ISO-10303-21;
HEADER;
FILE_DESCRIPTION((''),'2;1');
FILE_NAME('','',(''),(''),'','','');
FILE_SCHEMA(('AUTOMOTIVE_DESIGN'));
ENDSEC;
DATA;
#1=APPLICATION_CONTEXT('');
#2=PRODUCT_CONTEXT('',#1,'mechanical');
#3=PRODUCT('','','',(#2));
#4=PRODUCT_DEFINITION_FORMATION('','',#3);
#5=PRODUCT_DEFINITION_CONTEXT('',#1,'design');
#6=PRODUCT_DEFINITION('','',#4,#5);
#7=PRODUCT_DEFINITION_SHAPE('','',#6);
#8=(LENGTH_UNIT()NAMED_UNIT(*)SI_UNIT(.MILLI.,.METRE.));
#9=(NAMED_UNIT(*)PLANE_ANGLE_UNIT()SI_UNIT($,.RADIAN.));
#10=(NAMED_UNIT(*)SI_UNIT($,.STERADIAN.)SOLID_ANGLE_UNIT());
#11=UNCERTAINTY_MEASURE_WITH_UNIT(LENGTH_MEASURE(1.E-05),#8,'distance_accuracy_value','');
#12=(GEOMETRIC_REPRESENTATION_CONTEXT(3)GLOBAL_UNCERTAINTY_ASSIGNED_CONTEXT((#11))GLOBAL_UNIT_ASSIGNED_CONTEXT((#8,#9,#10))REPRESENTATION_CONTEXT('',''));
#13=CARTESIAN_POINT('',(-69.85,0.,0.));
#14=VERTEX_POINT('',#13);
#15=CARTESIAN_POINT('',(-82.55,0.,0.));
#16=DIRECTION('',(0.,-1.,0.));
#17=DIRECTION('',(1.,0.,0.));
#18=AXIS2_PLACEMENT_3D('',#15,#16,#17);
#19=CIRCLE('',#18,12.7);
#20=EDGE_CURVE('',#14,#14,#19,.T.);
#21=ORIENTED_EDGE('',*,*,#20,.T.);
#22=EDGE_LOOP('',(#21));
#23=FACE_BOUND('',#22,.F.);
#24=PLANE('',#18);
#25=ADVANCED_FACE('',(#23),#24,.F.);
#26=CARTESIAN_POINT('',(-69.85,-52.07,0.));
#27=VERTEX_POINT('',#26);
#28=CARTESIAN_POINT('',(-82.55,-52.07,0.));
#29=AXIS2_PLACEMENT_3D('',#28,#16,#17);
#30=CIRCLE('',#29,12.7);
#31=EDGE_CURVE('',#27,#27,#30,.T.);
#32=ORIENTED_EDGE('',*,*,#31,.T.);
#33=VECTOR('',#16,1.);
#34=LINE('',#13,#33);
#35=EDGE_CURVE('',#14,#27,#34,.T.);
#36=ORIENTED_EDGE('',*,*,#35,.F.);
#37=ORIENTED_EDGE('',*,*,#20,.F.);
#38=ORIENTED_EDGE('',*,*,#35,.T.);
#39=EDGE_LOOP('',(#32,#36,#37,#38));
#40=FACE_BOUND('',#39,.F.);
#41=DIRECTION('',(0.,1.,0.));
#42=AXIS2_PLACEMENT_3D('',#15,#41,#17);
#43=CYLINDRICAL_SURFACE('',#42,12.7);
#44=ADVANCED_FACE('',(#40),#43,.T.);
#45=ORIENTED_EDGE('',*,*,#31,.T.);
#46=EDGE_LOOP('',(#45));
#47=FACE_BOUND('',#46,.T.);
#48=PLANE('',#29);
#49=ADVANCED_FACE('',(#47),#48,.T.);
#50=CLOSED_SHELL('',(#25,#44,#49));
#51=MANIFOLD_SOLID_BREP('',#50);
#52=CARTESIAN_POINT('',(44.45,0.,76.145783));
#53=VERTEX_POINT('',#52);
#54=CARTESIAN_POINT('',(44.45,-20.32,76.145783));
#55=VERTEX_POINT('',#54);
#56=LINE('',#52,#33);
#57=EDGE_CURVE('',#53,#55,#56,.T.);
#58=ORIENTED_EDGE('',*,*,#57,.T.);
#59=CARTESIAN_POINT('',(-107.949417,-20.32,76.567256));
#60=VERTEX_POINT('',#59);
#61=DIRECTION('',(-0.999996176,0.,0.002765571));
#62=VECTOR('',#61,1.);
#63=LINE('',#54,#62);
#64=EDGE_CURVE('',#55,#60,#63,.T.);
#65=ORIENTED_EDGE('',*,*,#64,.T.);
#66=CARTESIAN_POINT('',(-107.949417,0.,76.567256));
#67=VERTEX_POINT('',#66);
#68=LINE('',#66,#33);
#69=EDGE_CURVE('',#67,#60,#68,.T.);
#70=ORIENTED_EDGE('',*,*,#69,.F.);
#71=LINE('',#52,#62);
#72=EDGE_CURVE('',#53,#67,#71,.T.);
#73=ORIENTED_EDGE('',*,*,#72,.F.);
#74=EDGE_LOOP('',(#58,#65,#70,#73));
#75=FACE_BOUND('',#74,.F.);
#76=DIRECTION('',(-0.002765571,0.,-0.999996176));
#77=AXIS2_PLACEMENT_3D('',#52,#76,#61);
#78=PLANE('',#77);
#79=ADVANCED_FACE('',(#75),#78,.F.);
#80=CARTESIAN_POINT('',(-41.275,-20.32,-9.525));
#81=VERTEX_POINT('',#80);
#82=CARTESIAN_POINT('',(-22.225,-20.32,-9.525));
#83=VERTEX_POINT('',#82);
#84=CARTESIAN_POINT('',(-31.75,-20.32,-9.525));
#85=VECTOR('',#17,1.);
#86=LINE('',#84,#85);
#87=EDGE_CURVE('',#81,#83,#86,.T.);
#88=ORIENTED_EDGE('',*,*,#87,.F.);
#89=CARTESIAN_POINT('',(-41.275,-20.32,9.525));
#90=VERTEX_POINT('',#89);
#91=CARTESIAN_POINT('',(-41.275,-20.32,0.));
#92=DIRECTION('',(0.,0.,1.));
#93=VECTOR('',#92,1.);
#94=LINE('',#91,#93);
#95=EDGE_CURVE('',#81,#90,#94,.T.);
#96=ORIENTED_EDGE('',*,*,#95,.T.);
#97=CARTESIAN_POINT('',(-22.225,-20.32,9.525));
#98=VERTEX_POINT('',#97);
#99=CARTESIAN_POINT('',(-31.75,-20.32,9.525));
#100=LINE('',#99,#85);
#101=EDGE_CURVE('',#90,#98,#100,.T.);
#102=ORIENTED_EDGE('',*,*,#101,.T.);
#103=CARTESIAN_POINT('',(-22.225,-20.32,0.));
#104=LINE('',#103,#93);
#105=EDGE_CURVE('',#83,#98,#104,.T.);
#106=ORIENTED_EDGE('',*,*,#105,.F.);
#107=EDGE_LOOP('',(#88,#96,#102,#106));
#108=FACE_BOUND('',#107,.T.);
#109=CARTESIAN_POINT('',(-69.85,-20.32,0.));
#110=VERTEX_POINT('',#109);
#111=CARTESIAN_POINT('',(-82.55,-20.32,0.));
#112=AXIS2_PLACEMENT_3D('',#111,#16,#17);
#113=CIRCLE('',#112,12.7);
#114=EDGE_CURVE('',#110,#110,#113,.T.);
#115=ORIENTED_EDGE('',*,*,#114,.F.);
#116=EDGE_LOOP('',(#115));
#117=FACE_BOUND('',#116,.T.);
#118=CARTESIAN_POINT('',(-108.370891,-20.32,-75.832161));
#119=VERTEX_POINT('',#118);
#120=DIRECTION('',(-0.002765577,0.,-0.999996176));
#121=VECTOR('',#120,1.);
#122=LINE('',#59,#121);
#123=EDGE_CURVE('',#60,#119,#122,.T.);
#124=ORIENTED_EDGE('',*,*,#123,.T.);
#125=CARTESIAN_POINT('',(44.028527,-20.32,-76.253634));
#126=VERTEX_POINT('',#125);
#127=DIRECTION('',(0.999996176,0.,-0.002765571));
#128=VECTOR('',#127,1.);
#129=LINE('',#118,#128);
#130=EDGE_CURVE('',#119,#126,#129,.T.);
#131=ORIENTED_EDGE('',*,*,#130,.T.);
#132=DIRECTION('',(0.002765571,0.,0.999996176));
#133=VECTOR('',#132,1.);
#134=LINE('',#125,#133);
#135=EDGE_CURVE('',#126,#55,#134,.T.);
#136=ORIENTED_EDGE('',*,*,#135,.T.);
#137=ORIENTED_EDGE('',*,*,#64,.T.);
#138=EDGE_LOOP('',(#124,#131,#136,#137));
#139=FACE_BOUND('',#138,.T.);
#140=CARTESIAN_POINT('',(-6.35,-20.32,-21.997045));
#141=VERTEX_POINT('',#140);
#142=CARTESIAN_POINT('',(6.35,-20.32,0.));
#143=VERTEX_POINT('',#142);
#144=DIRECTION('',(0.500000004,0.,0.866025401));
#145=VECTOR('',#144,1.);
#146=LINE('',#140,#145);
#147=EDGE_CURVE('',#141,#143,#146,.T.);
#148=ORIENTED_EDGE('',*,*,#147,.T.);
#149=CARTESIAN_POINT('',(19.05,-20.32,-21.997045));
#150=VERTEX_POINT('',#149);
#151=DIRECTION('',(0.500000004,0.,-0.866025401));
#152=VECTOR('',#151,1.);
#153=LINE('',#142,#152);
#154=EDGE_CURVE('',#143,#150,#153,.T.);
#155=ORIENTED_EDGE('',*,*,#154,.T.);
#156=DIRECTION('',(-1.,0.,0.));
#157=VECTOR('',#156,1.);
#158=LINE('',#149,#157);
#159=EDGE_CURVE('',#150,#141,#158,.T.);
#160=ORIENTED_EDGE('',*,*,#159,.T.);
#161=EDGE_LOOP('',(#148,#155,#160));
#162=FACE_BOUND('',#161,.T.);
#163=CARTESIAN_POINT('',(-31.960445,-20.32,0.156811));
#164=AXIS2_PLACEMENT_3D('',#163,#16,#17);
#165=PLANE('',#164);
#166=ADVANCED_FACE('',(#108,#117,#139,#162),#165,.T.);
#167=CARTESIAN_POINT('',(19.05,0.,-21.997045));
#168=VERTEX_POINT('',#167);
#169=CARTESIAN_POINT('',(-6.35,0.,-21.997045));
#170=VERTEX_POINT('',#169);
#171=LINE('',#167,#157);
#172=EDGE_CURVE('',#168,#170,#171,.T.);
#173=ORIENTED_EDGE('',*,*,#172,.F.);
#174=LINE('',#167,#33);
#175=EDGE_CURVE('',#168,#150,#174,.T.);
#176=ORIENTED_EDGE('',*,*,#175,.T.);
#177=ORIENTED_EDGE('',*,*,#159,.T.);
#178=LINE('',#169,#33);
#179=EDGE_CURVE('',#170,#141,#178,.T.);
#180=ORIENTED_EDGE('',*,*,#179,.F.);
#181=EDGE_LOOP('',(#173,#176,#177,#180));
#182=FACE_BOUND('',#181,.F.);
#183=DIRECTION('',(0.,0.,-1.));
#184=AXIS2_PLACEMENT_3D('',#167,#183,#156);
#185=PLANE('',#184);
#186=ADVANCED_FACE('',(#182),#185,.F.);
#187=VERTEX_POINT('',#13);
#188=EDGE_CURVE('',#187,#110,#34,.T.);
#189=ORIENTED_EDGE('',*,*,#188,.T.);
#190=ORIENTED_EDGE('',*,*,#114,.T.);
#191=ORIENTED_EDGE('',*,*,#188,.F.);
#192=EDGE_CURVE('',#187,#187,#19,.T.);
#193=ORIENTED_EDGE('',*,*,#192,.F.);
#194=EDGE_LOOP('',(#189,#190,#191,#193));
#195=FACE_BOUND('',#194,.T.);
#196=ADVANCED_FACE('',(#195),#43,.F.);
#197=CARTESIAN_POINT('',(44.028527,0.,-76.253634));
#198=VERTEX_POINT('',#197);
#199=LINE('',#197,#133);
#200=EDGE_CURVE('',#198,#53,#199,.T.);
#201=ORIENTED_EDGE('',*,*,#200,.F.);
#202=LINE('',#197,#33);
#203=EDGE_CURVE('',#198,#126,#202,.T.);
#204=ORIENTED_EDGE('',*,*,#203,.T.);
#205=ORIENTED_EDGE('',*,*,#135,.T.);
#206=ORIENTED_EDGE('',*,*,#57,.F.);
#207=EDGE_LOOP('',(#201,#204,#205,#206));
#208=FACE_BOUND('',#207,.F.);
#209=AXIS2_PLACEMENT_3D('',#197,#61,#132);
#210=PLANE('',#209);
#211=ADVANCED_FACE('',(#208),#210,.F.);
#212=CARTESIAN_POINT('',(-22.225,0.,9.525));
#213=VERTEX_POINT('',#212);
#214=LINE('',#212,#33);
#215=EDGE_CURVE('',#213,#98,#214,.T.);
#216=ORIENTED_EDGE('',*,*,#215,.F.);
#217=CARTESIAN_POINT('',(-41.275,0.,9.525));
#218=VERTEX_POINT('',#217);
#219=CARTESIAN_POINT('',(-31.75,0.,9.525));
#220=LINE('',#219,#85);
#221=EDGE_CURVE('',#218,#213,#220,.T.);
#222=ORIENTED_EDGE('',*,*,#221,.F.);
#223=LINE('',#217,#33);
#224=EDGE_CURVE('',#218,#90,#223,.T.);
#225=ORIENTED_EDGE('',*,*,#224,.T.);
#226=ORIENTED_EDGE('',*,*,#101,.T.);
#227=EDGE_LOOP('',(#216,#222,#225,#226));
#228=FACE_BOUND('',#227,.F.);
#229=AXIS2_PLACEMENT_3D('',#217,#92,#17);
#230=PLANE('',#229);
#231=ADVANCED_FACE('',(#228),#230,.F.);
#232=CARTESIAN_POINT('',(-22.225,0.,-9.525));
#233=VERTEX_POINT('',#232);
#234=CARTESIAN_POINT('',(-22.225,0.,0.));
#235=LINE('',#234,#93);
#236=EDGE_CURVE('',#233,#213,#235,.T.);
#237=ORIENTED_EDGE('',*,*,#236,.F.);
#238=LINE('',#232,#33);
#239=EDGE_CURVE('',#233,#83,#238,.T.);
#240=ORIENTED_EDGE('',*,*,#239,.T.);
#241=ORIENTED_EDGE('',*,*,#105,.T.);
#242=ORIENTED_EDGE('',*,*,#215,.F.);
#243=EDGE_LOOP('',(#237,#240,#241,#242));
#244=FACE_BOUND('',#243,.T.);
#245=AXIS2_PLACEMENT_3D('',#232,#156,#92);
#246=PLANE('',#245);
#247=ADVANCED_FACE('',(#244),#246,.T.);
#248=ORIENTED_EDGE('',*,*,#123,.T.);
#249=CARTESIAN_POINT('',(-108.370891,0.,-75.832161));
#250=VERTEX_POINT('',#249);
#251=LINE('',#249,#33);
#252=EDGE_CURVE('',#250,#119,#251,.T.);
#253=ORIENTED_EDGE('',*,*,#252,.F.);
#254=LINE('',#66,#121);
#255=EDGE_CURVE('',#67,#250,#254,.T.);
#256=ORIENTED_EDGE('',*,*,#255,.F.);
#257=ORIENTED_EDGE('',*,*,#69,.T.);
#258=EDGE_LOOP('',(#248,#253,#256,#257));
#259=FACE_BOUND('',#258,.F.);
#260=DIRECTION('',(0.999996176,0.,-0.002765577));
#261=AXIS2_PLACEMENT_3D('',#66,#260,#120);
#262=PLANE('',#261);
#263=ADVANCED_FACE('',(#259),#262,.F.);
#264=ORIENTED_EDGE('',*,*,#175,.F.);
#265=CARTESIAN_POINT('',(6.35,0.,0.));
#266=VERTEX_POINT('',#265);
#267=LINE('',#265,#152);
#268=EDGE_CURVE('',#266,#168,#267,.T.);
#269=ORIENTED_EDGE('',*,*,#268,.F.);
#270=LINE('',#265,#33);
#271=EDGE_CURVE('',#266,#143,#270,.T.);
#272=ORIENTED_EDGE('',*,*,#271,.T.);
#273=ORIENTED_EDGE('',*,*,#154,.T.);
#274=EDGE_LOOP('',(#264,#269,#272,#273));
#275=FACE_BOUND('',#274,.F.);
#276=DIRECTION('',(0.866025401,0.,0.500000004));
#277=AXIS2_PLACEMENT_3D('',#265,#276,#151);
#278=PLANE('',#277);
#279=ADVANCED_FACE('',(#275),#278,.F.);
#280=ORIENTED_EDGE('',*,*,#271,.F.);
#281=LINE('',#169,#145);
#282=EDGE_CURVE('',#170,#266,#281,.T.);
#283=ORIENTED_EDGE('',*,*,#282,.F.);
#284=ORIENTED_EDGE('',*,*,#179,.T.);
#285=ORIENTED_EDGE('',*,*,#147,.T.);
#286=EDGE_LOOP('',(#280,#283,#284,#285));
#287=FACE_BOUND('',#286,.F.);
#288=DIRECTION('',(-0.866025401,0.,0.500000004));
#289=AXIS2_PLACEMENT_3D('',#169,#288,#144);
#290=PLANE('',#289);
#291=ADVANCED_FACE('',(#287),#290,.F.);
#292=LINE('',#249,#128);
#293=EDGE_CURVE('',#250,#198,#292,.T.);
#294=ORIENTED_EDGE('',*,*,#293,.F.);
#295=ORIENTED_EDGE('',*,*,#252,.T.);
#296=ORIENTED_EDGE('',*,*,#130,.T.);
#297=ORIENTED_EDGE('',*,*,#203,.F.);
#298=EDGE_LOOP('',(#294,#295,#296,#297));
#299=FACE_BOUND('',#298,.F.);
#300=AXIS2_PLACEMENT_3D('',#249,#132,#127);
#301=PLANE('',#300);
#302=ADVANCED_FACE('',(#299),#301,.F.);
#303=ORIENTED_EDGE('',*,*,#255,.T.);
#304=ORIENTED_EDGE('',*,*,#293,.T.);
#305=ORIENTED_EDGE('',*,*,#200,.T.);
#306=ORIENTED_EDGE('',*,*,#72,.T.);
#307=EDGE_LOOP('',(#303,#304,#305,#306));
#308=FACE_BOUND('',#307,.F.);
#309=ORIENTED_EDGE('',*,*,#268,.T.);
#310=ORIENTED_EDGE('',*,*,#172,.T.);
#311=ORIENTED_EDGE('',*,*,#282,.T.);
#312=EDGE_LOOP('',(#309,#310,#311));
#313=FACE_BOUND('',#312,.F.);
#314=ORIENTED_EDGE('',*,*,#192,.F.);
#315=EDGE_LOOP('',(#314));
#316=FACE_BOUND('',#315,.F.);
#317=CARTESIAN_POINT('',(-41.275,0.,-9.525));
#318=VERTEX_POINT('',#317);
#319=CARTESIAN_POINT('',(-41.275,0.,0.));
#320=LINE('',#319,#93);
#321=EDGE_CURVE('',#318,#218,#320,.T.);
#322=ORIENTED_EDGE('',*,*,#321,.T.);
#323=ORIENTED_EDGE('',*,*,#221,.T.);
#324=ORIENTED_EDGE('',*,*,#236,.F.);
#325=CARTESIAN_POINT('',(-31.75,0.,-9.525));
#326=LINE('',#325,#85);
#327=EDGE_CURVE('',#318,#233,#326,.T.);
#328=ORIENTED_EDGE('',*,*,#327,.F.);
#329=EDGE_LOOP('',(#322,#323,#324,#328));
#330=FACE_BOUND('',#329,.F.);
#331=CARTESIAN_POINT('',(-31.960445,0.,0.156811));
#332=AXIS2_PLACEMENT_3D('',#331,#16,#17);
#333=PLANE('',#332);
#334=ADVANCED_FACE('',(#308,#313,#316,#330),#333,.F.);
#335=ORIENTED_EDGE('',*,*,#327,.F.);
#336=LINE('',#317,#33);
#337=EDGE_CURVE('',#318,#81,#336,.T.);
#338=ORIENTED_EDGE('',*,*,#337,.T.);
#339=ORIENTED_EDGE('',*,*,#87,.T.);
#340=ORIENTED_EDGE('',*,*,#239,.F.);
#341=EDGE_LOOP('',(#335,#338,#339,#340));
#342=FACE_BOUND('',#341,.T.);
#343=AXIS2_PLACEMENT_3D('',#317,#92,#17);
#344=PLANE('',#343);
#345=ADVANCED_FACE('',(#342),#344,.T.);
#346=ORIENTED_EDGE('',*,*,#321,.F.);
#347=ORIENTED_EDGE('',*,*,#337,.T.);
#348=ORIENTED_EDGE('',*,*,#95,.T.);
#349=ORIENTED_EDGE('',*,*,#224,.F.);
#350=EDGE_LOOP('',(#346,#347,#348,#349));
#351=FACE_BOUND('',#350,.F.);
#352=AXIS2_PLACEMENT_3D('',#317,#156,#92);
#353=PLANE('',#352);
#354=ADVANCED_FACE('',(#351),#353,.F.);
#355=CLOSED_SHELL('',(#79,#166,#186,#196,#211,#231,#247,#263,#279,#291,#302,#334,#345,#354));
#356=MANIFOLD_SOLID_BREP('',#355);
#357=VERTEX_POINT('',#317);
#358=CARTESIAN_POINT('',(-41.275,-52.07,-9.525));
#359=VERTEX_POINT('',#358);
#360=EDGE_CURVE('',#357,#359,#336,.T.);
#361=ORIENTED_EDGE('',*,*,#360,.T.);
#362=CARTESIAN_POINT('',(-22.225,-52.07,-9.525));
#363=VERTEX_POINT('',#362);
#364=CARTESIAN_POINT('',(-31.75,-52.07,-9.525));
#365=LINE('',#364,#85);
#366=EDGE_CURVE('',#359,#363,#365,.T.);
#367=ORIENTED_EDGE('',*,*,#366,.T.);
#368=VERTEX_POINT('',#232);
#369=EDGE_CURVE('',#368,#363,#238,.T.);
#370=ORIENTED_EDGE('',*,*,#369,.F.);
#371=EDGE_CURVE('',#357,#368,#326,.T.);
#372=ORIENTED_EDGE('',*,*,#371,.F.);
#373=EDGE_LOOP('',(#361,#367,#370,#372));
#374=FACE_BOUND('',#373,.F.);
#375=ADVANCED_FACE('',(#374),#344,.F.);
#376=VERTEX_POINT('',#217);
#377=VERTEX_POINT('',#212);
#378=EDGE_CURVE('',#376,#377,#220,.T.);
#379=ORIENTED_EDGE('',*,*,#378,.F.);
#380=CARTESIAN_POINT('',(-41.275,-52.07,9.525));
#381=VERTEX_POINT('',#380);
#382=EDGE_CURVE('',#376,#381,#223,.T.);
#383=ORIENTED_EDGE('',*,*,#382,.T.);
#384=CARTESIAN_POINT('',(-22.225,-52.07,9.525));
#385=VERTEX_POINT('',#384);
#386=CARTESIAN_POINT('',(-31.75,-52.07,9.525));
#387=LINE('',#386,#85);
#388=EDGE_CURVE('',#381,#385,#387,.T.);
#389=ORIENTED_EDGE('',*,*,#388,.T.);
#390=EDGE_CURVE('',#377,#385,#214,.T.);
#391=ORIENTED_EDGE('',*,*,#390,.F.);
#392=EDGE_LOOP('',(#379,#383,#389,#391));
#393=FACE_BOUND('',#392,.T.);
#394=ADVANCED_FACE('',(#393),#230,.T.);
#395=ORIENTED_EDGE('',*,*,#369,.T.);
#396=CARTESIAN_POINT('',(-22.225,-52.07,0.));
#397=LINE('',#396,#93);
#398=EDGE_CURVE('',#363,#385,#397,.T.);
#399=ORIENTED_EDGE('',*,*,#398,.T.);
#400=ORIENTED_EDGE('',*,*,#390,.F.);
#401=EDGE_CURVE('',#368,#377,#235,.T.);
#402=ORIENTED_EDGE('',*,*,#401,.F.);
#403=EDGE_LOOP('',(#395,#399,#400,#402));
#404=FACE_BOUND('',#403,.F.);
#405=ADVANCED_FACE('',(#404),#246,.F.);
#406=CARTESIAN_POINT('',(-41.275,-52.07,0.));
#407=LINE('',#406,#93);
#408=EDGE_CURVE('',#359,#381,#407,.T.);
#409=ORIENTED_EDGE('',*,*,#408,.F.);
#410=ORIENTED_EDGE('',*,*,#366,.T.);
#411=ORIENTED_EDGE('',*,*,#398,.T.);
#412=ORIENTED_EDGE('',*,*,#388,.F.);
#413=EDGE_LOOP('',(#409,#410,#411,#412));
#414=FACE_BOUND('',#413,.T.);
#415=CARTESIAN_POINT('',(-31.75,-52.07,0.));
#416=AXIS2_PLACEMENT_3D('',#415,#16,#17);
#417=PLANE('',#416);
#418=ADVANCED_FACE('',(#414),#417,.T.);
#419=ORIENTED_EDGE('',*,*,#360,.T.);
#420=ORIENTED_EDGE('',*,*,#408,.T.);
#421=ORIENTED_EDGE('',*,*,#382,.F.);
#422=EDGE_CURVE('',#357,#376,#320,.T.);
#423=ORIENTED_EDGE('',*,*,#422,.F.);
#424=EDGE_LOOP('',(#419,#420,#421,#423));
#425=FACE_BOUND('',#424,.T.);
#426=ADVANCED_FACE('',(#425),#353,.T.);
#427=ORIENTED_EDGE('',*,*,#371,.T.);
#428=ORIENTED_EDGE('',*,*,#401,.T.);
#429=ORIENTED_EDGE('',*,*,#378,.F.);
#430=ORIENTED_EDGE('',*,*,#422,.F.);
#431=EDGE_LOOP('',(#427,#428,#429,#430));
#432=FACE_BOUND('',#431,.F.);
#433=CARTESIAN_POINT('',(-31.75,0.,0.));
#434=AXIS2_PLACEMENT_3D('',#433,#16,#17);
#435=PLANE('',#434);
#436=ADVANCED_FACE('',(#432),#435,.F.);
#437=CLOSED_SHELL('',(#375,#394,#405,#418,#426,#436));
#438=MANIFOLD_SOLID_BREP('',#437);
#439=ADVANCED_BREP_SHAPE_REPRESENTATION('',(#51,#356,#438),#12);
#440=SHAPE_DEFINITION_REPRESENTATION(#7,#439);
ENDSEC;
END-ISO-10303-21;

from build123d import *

# Parameters (mm, degrees)
F0_R     = 12.7
F0_W     = 19.05
F0_H     = 19.05
F1_DEPTH = 20.32
F2_DEPTH = 52.07


with BuildPart() as f1:
    # F0 (on Front) → F1 (new body)
    with BuildSketch(Plane.XZ):
        Polygon((-108.370891, -75.832161), (44.028527, -76.253634), (44.45, 76.145783), (-107.949417, 76.567256), align=None)
        with Locations((-82.55, 0)):
            Circle(F0_R, mode=Mode.SUBTRACT)
        with Locations((-31.75, 0)):
            Rectangle(F0_W, F0_H, mode=Mode.SUBTRACT)
        Polygon((-6.35, -21.997045), (6.35, 0), (19.05, -21.997045), align=None, mode=Mode.SUBTRACT)
    extrude(amount=F1_DEPTH)


with BuildPart() as f2:
    # F0 (on Front) → F2 (new body)
    with BuildSketch(Plane.XZ):
        with Locations((-82.55, 0)):
            Circle(F0_R)
        with Locations((-31.75, 0)):
            Rectangle(F0_W, F0_H)
    extrude(amount=F2_DEPTH)


solid = Compound([f1.part, f2.part])
